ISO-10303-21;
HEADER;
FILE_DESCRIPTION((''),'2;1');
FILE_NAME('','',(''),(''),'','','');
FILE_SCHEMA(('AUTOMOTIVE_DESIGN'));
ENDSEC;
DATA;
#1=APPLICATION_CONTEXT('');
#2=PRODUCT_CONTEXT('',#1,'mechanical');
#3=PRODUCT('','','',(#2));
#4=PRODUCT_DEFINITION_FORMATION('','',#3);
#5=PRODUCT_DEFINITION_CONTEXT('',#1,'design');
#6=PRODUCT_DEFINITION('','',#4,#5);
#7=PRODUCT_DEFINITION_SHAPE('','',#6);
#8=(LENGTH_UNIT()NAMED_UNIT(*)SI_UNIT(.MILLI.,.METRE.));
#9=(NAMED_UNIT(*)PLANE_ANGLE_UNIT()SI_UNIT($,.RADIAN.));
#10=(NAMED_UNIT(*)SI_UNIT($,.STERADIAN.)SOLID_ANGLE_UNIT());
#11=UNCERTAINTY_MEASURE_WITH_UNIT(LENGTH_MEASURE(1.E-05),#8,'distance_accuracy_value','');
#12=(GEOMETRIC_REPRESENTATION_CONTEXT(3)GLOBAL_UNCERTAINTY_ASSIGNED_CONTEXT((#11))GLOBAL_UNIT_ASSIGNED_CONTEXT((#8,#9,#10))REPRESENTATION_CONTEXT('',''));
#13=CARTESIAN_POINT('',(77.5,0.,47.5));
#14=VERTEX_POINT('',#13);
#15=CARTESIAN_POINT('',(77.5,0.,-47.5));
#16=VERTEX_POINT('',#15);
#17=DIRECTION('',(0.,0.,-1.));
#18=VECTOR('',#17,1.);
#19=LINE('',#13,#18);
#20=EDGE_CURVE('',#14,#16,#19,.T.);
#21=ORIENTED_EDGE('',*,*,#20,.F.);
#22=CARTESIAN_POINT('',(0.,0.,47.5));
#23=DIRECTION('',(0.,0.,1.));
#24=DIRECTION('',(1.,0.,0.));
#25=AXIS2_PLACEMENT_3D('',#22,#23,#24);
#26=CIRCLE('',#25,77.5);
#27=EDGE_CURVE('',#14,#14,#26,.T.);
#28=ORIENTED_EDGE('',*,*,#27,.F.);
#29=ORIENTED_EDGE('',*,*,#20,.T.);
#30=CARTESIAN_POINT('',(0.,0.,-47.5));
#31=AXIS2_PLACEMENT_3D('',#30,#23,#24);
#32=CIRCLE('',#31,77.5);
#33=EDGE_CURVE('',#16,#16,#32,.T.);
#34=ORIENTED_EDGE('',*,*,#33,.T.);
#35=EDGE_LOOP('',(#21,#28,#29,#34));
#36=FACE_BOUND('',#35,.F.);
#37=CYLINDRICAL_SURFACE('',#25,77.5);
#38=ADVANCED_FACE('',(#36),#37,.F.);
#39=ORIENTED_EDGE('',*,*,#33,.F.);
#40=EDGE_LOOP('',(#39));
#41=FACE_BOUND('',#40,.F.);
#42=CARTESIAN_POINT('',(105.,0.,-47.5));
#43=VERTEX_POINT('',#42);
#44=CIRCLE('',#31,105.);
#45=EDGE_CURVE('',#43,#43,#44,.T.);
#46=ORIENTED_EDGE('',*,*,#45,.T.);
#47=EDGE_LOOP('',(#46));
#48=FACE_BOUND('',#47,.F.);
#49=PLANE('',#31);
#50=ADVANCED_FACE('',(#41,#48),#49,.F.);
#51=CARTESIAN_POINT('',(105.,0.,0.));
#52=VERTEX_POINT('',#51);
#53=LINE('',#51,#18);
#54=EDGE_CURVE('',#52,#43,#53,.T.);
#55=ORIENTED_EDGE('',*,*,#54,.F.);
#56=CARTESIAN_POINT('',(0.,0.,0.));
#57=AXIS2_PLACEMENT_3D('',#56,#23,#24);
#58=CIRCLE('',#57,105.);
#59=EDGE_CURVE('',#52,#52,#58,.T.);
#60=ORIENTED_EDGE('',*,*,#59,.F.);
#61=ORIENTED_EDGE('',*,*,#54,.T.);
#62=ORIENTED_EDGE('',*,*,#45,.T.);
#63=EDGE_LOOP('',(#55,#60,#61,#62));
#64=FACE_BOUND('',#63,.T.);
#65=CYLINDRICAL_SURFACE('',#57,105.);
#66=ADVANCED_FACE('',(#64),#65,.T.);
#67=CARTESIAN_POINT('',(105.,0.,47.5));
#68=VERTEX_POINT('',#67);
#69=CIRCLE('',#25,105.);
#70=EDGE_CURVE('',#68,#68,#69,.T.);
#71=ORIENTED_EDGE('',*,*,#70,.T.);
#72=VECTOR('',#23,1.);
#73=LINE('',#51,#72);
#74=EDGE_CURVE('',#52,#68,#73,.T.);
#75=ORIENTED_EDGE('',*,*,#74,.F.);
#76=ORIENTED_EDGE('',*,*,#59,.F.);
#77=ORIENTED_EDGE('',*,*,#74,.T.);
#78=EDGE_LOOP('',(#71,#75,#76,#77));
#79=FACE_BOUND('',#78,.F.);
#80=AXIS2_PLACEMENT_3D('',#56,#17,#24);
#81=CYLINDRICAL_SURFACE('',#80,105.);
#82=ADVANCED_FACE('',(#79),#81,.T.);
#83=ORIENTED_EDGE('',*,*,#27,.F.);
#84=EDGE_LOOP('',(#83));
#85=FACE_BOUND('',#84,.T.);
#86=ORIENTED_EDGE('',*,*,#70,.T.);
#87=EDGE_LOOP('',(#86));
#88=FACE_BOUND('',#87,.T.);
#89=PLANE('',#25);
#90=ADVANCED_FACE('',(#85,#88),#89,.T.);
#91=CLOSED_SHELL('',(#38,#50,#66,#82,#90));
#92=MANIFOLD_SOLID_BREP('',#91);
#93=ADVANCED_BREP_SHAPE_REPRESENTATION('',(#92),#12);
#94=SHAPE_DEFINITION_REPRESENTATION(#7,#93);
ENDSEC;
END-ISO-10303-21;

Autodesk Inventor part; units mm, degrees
ref_plane "YZ Plane" through (0, 0, 0) normal (1, 0, 0) x (0, 1, 0)
ref_plane "XZ Plane" through (0, 0, 0) normal (0, 1, 0) x (-1, 0, 0)
ref_plane "XY Plane" through (0, 0, 0) normal (0, 0, 1) x (1, 0, 0)
sketch "Sketch1" plane through (0, 0, 0) normal (0, 0, 1) x (1, 0, 0)
  circle A0 centre (0, 0) radius 105
  dimension "d0" = 210
extrude "Extrusion1" add sketch "Sketch1" along normal mid plane 95
sketch "Sketch2" plane through (0, 0, 47.5) normal (0, 0, 1) x (1, 0, 0)
  circle A0 centre (0, 0) radius 77.5
  dimension "d3" = 155
extrude "Extrusion2" cut sketch "Sketch2" against normal through all
properties part number "AGBL04_2"
